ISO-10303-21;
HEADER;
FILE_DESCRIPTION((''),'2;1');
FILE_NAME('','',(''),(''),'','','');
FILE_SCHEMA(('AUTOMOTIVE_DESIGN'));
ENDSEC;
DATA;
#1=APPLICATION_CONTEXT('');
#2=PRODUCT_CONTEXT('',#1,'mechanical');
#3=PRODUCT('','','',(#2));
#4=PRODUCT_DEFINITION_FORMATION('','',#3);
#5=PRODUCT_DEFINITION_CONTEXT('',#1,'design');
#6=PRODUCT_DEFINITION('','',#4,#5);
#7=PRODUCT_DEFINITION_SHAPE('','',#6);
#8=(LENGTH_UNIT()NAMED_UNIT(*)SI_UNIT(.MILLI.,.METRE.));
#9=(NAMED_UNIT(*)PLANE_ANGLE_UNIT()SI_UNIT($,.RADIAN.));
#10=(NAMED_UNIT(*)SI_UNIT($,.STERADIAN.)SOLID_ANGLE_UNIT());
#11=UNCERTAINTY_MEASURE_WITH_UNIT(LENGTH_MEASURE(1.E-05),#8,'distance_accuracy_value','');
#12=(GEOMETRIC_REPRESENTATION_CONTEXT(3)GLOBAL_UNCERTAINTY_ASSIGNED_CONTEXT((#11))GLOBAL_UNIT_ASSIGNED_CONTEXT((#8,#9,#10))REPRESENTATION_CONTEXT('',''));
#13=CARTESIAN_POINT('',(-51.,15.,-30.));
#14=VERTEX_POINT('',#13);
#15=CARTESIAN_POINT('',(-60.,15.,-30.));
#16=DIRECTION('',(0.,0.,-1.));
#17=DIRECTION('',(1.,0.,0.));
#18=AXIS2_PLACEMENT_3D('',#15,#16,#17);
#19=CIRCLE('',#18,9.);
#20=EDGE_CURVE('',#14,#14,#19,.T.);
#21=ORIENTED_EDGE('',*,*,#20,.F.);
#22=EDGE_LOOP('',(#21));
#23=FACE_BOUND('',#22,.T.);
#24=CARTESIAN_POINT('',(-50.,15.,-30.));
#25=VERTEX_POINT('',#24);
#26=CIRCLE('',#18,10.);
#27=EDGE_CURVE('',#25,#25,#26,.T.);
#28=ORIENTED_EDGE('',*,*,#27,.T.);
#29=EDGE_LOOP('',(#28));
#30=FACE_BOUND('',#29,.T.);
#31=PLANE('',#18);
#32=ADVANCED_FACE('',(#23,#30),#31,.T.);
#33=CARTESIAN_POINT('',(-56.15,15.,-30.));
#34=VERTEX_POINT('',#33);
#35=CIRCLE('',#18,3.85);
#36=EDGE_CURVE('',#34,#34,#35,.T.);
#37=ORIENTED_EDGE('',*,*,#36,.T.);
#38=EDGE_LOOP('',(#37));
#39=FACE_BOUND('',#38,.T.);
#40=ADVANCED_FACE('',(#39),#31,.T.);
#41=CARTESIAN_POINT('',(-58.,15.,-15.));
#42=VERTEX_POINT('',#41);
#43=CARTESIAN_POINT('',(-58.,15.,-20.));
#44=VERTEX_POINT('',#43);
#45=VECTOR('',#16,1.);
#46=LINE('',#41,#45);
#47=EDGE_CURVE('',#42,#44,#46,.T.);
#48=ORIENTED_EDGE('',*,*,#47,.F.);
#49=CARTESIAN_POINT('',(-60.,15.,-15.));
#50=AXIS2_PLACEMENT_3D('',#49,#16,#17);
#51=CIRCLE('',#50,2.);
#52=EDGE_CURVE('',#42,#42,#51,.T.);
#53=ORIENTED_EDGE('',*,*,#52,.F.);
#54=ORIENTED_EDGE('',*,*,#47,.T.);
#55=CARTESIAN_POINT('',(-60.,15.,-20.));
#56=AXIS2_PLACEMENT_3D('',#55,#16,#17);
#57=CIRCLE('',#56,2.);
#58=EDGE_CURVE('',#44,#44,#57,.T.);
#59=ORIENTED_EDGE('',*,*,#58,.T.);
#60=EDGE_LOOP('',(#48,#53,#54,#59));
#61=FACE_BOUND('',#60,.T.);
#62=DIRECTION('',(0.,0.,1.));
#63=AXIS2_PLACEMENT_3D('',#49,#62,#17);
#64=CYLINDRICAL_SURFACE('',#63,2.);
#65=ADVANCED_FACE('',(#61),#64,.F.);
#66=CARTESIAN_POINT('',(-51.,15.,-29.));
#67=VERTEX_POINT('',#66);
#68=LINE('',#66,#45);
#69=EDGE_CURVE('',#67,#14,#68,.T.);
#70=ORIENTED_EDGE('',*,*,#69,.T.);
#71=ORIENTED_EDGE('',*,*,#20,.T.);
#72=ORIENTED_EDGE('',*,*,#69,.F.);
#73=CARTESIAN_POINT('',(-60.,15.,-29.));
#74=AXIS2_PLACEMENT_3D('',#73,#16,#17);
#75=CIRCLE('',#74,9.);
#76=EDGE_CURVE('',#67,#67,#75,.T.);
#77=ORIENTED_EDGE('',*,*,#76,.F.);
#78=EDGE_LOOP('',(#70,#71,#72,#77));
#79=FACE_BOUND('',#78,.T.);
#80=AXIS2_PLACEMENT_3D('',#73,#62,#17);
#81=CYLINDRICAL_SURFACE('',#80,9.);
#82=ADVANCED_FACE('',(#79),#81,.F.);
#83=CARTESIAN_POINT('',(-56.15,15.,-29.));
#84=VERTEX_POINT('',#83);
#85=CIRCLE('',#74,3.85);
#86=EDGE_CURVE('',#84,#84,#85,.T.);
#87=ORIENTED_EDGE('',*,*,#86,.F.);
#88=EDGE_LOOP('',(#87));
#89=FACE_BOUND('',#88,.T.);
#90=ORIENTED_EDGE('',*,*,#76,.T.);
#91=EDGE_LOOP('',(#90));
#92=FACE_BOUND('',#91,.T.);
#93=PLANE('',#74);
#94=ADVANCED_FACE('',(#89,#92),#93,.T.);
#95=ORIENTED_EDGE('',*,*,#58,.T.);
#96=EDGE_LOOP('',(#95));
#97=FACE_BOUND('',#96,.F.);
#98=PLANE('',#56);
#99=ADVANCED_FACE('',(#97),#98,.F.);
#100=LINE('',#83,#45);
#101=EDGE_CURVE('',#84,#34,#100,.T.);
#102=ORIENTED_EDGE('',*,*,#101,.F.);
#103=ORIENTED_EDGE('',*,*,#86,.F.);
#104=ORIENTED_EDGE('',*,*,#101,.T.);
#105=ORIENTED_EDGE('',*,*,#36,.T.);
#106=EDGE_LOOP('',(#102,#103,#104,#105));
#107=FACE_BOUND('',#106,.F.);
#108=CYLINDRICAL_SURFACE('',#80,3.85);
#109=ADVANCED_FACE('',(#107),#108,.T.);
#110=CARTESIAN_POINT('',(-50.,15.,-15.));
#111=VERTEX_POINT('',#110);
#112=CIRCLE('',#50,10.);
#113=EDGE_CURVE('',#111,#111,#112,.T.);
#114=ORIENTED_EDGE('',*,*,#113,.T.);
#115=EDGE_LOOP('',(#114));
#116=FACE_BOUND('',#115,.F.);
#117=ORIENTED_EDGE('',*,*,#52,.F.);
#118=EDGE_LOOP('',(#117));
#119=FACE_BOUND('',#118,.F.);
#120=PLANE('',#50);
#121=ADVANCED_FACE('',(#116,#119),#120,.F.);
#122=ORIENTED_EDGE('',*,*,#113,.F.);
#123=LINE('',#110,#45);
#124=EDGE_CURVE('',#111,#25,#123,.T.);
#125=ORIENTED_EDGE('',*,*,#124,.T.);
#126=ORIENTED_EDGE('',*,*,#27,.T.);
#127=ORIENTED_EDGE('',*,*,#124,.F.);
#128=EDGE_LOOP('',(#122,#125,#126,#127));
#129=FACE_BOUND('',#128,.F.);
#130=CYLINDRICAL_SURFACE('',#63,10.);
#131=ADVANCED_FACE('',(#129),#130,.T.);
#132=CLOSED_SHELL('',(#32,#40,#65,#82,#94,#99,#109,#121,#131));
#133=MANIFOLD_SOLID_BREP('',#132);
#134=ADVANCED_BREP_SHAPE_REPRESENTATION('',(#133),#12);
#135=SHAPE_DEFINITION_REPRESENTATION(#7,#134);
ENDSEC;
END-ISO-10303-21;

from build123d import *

# Parameters (mm, degrees)
CYLINDER033_R                = 2
CYLINDER033_DEPTH            = 5
TUBE_R                       = 9
TUBE_R_2                     = 3.85
TUBE_DEPTH                   = 1
CYLINDER032_R                = 10
CYLINDER032_DEPTH            = 15
CUT002002004_PLACEMENT_ANGLE = 180


with BuildPart() as cylinder033:
    # Cylinder033 → Cylinder033 (new body)
    with BuildSketch(Plane.XY):
        Circle(CYLINDER033_R)
    extrude(amount=CYLINDER033_DEPTH)


with BuildPart() as fusion014:
    # Tube → Tube (new body)
    with BuildSketch(Plane.XY.offset(14)):
        Circle(TUBE_R)
        Circle(TUBE_R_2, mode=Mode.SUBTRACT)
    extrude(amount=TUBE_DEPTH)

    # Fusion014: union Cylinder033
    add(cylinder033.part)


with BuildPart() as electromagnet:
    # Cylinder032 → Cylinder032 (new body)
    with BuildSketch(Plane.XY):
        Circle(CYLINDER032_R)
    extrude(amount=CYLINDER032_DEPTH)

    # Cut002002004: cut Fusion014
    add(fusion014.part, mode=Mode.SUBTRACT)


with BuildPart() as electromagnet_1:
    # Cut002002004 placement: moved
    add(electromagnet.part.moved(Location((-60, 15, -15))).rotate(Axis((-60, 15, -15), (1, 0, 0)), CUT002002004_PLACEMENT_ANGLE))


solid = electromagnet_1.part
